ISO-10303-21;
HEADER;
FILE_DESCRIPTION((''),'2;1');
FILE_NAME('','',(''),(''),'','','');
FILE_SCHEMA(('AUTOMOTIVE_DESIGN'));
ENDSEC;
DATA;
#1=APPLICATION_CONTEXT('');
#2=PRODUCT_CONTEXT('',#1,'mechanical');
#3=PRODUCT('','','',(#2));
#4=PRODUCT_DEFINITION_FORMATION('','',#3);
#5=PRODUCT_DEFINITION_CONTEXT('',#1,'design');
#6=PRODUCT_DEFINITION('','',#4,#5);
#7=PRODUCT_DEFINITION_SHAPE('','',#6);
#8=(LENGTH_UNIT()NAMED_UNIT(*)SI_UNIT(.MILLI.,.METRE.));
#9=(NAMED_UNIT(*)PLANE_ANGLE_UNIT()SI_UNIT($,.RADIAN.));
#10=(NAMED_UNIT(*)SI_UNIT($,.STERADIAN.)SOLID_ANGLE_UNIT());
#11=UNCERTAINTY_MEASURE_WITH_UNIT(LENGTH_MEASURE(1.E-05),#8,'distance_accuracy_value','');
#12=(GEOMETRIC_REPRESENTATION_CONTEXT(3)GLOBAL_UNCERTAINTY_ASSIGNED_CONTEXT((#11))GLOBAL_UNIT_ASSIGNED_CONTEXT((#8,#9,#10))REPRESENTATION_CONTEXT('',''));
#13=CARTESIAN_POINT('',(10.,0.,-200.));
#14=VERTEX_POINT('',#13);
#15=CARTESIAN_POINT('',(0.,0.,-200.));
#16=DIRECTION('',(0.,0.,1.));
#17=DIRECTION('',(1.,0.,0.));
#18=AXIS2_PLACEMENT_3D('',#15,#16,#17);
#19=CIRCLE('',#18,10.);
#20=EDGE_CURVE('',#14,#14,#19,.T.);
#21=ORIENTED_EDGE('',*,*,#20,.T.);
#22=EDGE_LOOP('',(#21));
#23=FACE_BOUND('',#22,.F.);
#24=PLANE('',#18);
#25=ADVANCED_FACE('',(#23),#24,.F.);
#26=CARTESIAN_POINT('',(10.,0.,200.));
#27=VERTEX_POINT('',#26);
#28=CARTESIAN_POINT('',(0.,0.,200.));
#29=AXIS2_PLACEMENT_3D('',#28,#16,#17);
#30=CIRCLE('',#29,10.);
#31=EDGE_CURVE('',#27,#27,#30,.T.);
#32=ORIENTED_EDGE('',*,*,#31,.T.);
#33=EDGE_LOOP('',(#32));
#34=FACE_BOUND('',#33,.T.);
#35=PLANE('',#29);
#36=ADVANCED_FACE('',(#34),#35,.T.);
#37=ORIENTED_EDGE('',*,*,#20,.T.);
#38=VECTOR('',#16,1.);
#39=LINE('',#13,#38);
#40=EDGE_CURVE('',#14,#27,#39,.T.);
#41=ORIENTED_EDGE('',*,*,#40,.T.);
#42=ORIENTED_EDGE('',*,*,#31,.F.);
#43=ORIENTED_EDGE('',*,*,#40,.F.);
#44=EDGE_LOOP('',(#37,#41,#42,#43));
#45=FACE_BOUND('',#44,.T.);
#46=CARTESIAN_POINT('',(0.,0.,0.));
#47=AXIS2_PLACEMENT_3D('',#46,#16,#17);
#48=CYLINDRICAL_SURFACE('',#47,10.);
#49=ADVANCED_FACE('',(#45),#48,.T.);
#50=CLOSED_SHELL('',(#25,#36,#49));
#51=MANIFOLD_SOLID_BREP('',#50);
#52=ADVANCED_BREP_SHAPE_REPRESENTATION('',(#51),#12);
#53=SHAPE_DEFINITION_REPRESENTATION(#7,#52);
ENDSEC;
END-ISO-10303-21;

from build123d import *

# Parameters (mm, degrees)
SKETCH2_R           = 10
BOSS_EXTRUDE1_DEPTH = 200


with BuildPart() as part:
    # Sketch2 → Boss-Extrude1 (new body, symmetric)
    with BuildSketch(Plane.XY):
        Circle(SKETCH2_R)
    extrude(amount=BOSS_EXTRUDE1_DEPTH, both=True)


solid = part.part
